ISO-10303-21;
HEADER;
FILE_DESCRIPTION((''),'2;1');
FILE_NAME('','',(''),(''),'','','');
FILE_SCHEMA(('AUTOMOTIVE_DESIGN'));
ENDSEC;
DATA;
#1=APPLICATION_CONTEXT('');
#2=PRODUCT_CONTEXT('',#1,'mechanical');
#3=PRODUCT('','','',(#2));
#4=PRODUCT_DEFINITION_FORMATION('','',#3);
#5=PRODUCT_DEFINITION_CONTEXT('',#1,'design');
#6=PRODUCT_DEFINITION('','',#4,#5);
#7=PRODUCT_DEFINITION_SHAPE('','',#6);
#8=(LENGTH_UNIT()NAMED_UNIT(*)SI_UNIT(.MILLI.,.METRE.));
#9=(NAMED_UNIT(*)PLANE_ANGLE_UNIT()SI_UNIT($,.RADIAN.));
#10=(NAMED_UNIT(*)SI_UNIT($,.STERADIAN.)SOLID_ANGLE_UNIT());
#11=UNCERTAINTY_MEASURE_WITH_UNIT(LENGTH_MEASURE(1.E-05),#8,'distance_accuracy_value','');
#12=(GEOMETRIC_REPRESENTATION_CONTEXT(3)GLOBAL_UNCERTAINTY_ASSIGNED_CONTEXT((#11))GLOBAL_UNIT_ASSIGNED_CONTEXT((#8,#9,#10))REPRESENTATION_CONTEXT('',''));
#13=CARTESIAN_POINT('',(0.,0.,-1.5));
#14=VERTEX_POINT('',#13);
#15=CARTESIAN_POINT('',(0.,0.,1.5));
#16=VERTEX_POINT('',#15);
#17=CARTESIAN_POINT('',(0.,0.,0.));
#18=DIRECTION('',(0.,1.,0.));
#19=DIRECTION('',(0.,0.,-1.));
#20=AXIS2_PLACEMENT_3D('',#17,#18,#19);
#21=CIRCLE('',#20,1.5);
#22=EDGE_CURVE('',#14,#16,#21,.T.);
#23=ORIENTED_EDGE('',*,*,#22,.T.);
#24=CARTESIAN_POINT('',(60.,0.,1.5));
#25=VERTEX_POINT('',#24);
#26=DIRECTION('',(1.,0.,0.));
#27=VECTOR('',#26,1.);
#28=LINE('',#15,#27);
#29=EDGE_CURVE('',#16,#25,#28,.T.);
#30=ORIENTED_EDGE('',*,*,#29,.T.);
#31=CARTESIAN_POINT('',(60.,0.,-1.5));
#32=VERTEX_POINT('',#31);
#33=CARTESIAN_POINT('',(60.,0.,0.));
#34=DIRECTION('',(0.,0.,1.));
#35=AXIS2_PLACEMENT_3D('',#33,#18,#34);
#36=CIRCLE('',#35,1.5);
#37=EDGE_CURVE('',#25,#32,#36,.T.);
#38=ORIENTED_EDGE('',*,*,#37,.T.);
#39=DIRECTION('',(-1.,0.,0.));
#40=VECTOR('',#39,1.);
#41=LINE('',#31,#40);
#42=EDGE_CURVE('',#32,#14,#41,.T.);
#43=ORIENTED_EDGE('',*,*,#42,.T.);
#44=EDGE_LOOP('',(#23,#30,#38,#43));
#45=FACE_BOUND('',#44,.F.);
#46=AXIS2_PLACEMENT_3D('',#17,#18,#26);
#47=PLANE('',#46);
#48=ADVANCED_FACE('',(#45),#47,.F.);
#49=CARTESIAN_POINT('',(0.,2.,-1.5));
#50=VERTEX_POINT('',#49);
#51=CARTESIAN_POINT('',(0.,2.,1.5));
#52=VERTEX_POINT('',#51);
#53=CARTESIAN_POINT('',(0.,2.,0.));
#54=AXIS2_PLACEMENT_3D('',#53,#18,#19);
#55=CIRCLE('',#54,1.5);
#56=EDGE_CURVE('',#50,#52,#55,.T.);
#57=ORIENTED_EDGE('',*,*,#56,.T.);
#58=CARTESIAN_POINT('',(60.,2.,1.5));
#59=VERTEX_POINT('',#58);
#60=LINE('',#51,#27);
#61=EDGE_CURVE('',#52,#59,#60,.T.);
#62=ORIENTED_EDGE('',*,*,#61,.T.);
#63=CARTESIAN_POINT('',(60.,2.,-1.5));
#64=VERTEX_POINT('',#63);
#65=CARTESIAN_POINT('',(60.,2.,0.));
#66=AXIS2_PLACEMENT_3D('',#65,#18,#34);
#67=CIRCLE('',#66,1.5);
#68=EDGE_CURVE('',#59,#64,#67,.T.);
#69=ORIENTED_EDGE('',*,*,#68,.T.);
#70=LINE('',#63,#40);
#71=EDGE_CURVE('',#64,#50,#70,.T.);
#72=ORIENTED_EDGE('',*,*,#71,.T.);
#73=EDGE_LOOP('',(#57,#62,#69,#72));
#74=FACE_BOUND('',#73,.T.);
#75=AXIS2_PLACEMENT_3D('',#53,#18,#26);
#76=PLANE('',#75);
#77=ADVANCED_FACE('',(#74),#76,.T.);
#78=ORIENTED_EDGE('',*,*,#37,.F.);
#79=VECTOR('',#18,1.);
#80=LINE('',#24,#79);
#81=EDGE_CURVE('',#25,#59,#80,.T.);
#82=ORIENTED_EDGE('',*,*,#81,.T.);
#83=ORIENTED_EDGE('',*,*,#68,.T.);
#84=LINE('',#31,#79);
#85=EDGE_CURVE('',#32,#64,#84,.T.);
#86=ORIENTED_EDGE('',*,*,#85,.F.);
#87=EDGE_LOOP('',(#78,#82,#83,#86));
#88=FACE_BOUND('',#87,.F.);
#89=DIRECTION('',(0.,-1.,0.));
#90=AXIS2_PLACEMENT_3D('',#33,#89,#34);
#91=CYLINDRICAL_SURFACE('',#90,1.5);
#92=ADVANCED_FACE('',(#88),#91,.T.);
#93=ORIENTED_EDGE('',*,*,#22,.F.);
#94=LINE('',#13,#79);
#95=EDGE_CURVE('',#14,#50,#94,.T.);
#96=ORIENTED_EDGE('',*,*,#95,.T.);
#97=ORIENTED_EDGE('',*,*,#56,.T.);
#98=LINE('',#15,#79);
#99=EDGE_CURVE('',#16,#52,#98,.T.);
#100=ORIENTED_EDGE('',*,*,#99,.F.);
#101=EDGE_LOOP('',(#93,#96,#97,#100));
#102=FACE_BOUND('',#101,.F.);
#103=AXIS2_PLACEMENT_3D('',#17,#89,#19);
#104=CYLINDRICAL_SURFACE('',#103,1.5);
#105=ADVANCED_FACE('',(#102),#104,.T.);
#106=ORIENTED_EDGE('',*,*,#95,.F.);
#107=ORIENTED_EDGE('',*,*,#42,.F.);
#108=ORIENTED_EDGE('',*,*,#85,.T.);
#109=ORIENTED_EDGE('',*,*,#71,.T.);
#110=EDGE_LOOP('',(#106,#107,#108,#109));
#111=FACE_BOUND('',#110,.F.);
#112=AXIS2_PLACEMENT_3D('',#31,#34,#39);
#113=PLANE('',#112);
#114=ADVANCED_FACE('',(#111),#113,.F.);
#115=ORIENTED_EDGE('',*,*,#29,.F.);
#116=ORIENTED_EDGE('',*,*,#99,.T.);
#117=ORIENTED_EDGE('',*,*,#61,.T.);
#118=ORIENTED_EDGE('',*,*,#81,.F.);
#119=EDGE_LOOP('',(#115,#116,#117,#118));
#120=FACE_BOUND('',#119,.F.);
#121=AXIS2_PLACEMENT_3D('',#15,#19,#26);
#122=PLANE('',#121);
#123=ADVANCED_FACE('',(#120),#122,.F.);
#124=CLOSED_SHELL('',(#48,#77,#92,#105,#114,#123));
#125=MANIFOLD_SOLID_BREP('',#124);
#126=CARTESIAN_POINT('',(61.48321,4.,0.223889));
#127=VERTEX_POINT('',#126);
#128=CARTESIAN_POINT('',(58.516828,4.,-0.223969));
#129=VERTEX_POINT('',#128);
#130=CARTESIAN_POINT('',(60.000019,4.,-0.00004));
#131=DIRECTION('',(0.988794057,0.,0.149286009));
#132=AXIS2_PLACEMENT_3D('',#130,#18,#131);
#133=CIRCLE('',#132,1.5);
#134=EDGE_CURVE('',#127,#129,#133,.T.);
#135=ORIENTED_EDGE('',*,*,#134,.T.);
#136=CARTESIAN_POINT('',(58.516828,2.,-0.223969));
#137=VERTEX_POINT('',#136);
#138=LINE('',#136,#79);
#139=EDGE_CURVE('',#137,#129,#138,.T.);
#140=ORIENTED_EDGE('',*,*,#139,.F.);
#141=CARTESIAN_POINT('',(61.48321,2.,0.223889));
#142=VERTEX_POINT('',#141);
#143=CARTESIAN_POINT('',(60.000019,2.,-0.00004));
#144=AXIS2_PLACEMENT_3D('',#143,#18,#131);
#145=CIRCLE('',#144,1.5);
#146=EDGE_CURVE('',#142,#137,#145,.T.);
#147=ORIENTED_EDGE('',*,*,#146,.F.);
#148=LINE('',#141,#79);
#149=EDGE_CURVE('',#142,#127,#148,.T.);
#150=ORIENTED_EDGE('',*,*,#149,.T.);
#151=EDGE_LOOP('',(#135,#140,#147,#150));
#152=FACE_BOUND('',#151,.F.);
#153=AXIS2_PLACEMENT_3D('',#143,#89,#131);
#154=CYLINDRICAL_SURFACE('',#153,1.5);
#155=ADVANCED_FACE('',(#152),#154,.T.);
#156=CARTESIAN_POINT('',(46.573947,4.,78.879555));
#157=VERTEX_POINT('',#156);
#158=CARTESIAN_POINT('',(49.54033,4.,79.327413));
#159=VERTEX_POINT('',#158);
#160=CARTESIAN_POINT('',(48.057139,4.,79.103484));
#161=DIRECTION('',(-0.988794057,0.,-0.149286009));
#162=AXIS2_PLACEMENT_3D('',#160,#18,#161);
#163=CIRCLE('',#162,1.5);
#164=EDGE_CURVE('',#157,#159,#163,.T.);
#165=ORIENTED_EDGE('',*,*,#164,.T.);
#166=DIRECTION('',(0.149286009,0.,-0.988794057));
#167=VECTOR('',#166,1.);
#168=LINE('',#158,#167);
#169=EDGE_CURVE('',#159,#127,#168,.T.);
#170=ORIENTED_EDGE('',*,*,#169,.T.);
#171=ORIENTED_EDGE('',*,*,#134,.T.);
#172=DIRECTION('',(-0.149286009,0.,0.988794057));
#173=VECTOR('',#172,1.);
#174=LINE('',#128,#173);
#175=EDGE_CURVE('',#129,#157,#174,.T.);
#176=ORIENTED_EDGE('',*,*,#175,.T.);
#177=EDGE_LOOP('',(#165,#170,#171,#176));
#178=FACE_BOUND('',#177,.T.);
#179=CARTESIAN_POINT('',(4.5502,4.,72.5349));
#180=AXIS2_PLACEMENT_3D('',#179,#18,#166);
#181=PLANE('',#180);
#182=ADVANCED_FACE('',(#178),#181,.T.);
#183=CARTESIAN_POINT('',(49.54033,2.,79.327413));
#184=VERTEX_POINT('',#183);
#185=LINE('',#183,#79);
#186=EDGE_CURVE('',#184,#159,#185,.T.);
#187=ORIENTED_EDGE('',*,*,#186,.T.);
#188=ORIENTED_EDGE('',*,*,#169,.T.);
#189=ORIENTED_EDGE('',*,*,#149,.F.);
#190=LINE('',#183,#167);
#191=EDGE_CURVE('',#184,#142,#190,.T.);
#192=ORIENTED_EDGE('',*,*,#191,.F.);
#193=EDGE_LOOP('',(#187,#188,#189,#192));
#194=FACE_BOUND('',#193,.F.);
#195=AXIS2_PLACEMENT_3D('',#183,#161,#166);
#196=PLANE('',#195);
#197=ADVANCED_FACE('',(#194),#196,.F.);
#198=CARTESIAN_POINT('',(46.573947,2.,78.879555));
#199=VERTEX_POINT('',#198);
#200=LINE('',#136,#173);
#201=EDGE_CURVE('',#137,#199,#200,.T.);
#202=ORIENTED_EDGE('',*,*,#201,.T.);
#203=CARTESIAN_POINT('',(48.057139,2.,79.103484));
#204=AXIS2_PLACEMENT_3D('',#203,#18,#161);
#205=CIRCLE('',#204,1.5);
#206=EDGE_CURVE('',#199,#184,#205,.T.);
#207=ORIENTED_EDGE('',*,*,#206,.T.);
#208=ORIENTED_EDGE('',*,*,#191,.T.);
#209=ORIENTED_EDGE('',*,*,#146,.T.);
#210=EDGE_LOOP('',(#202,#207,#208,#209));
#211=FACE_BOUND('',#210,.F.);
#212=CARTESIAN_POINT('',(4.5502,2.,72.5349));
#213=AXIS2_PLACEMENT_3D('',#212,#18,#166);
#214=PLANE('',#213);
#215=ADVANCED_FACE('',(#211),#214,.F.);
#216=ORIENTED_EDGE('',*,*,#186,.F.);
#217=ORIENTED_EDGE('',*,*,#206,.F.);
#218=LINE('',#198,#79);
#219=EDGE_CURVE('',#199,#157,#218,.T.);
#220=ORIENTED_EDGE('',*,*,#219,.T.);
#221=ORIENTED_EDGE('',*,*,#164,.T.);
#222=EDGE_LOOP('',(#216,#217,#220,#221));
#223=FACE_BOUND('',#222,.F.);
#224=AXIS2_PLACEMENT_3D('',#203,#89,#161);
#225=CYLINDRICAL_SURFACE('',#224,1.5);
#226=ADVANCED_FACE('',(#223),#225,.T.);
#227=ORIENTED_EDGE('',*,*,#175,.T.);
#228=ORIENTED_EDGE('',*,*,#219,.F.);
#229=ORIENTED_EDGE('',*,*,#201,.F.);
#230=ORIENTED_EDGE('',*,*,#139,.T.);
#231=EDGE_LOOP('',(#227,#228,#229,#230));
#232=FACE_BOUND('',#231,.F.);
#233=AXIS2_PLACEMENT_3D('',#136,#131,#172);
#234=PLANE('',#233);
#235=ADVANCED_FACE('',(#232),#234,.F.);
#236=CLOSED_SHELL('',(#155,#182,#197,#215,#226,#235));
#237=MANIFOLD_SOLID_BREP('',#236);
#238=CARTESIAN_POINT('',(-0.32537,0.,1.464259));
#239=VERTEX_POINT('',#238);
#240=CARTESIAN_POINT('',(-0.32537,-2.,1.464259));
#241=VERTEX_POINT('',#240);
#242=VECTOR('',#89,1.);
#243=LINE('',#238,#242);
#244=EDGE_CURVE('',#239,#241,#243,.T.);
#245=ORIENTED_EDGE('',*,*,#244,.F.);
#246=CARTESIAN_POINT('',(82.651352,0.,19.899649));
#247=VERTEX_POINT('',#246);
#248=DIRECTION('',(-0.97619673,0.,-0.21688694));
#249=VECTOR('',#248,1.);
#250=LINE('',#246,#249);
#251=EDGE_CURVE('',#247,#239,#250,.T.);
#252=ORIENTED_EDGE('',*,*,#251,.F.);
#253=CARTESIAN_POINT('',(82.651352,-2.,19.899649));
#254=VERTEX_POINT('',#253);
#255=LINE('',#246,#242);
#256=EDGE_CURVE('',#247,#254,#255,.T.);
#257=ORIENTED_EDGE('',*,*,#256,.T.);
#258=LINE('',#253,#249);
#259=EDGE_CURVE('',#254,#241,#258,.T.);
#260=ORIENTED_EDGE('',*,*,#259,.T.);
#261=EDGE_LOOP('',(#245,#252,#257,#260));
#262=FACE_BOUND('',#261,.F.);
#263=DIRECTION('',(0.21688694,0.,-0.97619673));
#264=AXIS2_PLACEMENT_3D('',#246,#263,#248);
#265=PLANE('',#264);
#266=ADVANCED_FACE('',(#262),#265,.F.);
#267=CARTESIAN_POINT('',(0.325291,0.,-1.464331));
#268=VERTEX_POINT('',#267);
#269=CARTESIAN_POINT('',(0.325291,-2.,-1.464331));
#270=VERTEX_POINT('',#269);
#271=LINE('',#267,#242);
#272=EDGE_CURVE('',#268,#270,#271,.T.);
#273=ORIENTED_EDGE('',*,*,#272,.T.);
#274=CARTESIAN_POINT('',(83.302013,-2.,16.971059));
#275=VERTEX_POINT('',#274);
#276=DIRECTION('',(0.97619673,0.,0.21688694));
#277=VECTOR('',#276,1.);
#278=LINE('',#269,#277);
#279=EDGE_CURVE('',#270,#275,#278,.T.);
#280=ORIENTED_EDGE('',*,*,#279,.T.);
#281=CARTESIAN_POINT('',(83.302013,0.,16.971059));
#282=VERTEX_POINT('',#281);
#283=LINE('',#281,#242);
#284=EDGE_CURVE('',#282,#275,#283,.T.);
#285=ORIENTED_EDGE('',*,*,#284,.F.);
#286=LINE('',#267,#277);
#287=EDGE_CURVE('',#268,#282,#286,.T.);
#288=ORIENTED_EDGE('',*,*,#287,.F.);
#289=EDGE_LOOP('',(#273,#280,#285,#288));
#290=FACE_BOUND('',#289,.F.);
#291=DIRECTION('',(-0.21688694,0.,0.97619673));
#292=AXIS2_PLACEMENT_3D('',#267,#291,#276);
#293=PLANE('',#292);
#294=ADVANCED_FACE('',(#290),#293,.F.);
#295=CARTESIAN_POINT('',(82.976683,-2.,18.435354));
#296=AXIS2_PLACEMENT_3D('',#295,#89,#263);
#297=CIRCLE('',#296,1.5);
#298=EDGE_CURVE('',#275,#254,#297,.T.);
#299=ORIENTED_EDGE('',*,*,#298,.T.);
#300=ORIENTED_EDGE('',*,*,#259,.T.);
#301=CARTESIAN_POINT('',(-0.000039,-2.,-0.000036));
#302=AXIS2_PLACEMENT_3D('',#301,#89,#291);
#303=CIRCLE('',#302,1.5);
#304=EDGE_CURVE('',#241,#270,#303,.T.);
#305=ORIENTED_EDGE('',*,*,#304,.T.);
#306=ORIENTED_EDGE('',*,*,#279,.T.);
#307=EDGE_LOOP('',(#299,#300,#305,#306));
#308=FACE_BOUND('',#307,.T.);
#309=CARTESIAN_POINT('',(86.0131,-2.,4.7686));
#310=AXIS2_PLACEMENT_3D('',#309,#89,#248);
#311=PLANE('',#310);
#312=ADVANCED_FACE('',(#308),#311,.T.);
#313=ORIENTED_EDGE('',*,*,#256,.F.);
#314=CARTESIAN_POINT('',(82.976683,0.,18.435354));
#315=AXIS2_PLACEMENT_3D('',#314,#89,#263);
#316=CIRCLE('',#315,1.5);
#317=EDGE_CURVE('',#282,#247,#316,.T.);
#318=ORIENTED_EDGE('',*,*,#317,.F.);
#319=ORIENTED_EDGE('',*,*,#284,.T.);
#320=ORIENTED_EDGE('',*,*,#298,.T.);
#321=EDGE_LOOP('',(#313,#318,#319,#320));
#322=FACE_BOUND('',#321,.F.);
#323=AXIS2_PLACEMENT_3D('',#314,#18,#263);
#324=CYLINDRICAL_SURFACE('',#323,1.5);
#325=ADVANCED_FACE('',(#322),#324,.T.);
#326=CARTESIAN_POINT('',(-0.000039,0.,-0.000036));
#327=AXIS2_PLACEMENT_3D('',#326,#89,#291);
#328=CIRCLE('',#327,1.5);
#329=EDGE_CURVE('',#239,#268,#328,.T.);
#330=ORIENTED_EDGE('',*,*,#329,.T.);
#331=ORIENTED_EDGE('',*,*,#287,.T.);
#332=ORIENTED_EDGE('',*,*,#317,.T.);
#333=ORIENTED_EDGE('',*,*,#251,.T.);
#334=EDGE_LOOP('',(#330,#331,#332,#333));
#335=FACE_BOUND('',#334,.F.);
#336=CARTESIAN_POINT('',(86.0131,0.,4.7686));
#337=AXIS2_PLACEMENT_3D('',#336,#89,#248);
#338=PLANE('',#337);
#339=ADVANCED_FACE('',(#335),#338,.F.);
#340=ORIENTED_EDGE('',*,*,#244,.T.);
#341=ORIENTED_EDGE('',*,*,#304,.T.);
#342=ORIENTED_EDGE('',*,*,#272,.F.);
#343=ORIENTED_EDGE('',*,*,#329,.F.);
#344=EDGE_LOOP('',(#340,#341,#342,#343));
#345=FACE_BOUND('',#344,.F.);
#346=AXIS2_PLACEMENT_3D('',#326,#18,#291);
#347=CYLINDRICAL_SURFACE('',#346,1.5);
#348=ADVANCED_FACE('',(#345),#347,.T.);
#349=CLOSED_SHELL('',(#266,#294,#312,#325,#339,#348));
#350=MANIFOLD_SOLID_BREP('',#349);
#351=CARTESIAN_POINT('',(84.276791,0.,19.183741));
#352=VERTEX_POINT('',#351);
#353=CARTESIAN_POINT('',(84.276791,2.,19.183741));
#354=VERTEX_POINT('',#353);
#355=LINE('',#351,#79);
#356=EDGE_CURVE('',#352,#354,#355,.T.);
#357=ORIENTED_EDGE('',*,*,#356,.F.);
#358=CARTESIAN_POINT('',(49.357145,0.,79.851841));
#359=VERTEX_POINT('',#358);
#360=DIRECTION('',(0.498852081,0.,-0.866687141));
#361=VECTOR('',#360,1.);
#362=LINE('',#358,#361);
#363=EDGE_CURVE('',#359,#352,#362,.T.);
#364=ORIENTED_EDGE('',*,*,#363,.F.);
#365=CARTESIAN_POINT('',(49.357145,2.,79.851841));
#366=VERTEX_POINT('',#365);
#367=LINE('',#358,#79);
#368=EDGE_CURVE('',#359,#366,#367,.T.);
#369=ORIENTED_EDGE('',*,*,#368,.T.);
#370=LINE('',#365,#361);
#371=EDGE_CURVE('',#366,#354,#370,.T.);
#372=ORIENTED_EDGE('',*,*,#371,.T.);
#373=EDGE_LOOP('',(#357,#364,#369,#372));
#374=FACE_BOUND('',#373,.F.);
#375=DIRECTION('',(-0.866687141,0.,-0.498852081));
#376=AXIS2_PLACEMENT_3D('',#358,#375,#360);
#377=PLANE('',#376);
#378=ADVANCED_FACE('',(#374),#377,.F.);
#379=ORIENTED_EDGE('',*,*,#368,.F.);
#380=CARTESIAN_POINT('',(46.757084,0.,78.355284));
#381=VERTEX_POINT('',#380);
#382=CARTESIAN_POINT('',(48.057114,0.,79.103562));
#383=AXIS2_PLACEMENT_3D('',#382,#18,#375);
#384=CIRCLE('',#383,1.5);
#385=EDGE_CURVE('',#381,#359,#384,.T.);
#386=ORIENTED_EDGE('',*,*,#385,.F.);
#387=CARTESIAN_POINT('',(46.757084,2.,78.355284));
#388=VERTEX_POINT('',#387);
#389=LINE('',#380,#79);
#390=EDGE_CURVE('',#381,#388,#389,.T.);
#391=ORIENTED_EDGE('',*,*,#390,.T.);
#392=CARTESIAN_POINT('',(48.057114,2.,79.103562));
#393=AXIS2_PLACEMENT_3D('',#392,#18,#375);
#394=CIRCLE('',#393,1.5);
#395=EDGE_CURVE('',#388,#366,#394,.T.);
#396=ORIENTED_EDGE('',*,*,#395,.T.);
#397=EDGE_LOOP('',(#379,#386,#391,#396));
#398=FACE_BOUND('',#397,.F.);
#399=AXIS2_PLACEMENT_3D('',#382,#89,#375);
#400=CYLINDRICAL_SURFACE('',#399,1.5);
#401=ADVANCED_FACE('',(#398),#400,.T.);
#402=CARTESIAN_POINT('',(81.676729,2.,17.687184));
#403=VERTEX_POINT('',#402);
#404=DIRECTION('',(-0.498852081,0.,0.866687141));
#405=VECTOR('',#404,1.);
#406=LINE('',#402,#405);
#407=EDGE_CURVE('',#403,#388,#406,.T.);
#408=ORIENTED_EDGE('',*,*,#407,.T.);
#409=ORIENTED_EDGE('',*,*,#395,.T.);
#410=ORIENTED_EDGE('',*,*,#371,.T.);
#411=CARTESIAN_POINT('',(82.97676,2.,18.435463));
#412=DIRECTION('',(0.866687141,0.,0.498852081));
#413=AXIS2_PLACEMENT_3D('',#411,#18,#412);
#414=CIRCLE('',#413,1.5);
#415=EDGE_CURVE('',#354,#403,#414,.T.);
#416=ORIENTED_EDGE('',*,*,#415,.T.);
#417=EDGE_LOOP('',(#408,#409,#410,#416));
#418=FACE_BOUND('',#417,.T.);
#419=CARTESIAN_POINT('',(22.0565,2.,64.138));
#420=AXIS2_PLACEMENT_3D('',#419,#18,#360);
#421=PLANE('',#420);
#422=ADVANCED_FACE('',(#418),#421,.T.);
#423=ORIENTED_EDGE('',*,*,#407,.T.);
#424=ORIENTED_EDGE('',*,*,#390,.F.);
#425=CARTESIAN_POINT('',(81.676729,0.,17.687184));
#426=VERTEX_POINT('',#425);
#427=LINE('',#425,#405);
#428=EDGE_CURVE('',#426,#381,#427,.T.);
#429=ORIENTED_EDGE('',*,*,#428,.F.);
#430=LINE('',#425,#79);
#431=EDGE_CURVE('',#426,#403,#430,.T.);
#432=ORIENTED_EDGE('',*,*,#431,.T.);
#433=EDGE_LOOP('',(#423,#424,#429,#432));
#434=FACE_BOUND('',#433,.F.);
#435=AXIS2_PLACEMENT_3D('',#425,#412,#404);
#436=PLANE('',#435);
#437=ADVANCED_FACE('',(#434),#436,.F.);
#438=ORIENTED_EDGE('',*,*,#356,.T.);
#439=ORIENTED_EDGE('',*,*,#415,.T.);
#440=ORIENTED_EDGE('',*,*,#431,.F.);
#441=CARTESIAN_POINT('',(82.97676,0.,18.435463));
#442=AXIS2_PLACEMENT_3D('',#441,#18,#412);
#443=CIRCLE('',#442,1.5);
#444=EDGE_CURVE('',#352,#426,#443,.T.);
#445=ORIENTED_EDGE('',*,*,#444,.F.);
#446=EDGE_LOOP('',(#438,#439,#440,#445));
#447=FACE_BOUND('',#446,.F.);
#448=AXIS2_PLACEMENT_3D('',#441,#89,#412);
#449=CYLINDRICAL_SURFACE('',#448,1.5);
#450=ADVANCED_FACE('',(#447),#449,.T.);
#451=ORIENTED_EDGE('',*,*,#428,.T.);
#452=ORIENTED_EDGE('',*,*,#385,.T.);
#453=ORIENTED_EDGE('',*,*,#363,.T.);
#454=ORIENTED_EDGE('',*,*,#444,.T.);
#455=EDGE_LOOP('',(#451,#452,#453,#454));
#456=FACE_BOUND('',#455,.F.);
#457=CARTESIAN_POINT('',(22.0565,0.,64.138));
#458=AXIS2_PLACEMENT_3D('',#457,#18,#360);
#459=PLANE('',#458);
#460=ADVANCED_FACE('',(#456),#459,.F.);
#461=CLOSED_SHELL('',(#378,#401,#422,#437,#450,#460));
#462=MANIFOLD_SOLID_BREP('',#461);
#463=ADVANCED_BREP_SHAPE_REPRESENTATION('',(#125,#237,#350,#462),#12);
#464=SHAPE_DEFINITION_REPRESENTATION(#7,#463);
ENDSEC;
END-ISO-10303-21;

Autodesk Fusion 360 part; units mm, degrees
sketch "Sketch5" plane through (0, 0, 0) normal (0, 1, 0) x (1, 0, 0)
  line L0 (0, -1.5) -> (60, -1.5)
  arc A0 (60, -1.5) -> (60, 1.5) centre (60, 0) ccw
  line L1 (60, 1.5) -> (0, 1.5)
  arc A1 (0, 1.5) -> (0, -1.5) centre (0, 0) ccw
  line L2 (0, 0) -> (60, 0) construction
  arc A2 (0, -12.5) -> (0, -15.5) centre (0, -14) ccw
  line L3 (0, -14) -> (85, -14) construction
  line L4 (85, -12.5) -> (0, -12.5)
  line L5 (0, -15.5) -> (85, -15.5)
  arc A3 (85, -15.5) -> (85, -12.5) centre (85, -14) ccw
  arc A4 (80, -45.5) -> (80, -42.5) centre (80, -44) ccw
  arc A5 (70, -31.5) -> (70, -28.5) centre (70, -30) ccw
  line L6 (0, -31.5) -> (70, -31.5)
  line L7 (0, -45.5) -> (80, -45.5)
  line L8 (0, -30) -> (70, -30) construction
  line L9 (0, -44) -> (80, -44) construction
  arc A6 (0, -28.5) -> (0, -31.5) centre (0, -30) ccw
  line L10 (80, -42.5) -> (0, -42.5)
  line L11 (70, -28.5) -> (0, -28.5)
  arc A7 (0, -42.5) -> (0, -45.5) centre (0, -44) ccw
  dimension "d1" = 3
  dimension "d2" = 60
  dimension "d3" = 3
  dimension "d4" = 85
  dimension "d5" = 3
  dimension "d6" = 70
  dimension "d7" = 3
  dimension "d8" = 80
extrude "Extrude1" add sketch "Sketch5" along normal blind 2 makes body 1 at (28.3333, 0, 14.5) makes body 2 at (53.3333, 0, 44.5) makes body 3 at (40, 0, 0.5) makes body 4 at (23.3333, 0, 30.5)
copy_body "Body->Comp1" bodies 1 removing the originals makes body 5 in component "Component"
copy_body "Body->Comp2" bodies 2 removing the originals makes body 6 in component "Component'"
copy_body "Body->Comp3" bodies 3 removing the originals makes body 7 in component "Component''"
copy_body "Body->Comp4" bodies 4 removing the originals makes body 8 in component "Component'''"
sketch "Sketch1" plane through (0, 0, 0) normal (0, 1, 0) x (1, 0, 0)
  line L0 (0, 0) -> (28, 0)
sketch "Sketch2" plane through (0, 0, 0) normal (0, 1, 0) x (1, 0, 0)
  line L0 (28, 0) -> (42, -21)
sketch "Sketch3" plane through (0, 0, 0) normal (0, 1, 0) x (1, 0, 0)
  line L0 (42, -21) -> (-21, -21)
sketch "Sketch4" plane through (0, 0, 0) normal (0, 1, 0) x (1, 0, 0)
  line L0 (-23, -21) -> (0, 0)
component "Component" placed x (-0.976197, 0, -0.216887) y (0, -1, 0) z (-0.216887, 0, 0.976197) at (86.0131, 0, 4.7686)
component "Component'" placed x (0.149286, 0, -0.988794) y (0, 1, 0) z (0.988794, 0, 0.149286) at (4.5502, 2, 72.5349)
component "Component''" placed x (1, 0, 0) y (0, 1, 0) z (0, 0, 1) at (0, 0, 0)
component "Component'''" placed x (0.498852, 0, -0.866687) y (0, 1, 0) z (0.866687, 0, 0.498852) at (22.0565, 0, 64.138)
